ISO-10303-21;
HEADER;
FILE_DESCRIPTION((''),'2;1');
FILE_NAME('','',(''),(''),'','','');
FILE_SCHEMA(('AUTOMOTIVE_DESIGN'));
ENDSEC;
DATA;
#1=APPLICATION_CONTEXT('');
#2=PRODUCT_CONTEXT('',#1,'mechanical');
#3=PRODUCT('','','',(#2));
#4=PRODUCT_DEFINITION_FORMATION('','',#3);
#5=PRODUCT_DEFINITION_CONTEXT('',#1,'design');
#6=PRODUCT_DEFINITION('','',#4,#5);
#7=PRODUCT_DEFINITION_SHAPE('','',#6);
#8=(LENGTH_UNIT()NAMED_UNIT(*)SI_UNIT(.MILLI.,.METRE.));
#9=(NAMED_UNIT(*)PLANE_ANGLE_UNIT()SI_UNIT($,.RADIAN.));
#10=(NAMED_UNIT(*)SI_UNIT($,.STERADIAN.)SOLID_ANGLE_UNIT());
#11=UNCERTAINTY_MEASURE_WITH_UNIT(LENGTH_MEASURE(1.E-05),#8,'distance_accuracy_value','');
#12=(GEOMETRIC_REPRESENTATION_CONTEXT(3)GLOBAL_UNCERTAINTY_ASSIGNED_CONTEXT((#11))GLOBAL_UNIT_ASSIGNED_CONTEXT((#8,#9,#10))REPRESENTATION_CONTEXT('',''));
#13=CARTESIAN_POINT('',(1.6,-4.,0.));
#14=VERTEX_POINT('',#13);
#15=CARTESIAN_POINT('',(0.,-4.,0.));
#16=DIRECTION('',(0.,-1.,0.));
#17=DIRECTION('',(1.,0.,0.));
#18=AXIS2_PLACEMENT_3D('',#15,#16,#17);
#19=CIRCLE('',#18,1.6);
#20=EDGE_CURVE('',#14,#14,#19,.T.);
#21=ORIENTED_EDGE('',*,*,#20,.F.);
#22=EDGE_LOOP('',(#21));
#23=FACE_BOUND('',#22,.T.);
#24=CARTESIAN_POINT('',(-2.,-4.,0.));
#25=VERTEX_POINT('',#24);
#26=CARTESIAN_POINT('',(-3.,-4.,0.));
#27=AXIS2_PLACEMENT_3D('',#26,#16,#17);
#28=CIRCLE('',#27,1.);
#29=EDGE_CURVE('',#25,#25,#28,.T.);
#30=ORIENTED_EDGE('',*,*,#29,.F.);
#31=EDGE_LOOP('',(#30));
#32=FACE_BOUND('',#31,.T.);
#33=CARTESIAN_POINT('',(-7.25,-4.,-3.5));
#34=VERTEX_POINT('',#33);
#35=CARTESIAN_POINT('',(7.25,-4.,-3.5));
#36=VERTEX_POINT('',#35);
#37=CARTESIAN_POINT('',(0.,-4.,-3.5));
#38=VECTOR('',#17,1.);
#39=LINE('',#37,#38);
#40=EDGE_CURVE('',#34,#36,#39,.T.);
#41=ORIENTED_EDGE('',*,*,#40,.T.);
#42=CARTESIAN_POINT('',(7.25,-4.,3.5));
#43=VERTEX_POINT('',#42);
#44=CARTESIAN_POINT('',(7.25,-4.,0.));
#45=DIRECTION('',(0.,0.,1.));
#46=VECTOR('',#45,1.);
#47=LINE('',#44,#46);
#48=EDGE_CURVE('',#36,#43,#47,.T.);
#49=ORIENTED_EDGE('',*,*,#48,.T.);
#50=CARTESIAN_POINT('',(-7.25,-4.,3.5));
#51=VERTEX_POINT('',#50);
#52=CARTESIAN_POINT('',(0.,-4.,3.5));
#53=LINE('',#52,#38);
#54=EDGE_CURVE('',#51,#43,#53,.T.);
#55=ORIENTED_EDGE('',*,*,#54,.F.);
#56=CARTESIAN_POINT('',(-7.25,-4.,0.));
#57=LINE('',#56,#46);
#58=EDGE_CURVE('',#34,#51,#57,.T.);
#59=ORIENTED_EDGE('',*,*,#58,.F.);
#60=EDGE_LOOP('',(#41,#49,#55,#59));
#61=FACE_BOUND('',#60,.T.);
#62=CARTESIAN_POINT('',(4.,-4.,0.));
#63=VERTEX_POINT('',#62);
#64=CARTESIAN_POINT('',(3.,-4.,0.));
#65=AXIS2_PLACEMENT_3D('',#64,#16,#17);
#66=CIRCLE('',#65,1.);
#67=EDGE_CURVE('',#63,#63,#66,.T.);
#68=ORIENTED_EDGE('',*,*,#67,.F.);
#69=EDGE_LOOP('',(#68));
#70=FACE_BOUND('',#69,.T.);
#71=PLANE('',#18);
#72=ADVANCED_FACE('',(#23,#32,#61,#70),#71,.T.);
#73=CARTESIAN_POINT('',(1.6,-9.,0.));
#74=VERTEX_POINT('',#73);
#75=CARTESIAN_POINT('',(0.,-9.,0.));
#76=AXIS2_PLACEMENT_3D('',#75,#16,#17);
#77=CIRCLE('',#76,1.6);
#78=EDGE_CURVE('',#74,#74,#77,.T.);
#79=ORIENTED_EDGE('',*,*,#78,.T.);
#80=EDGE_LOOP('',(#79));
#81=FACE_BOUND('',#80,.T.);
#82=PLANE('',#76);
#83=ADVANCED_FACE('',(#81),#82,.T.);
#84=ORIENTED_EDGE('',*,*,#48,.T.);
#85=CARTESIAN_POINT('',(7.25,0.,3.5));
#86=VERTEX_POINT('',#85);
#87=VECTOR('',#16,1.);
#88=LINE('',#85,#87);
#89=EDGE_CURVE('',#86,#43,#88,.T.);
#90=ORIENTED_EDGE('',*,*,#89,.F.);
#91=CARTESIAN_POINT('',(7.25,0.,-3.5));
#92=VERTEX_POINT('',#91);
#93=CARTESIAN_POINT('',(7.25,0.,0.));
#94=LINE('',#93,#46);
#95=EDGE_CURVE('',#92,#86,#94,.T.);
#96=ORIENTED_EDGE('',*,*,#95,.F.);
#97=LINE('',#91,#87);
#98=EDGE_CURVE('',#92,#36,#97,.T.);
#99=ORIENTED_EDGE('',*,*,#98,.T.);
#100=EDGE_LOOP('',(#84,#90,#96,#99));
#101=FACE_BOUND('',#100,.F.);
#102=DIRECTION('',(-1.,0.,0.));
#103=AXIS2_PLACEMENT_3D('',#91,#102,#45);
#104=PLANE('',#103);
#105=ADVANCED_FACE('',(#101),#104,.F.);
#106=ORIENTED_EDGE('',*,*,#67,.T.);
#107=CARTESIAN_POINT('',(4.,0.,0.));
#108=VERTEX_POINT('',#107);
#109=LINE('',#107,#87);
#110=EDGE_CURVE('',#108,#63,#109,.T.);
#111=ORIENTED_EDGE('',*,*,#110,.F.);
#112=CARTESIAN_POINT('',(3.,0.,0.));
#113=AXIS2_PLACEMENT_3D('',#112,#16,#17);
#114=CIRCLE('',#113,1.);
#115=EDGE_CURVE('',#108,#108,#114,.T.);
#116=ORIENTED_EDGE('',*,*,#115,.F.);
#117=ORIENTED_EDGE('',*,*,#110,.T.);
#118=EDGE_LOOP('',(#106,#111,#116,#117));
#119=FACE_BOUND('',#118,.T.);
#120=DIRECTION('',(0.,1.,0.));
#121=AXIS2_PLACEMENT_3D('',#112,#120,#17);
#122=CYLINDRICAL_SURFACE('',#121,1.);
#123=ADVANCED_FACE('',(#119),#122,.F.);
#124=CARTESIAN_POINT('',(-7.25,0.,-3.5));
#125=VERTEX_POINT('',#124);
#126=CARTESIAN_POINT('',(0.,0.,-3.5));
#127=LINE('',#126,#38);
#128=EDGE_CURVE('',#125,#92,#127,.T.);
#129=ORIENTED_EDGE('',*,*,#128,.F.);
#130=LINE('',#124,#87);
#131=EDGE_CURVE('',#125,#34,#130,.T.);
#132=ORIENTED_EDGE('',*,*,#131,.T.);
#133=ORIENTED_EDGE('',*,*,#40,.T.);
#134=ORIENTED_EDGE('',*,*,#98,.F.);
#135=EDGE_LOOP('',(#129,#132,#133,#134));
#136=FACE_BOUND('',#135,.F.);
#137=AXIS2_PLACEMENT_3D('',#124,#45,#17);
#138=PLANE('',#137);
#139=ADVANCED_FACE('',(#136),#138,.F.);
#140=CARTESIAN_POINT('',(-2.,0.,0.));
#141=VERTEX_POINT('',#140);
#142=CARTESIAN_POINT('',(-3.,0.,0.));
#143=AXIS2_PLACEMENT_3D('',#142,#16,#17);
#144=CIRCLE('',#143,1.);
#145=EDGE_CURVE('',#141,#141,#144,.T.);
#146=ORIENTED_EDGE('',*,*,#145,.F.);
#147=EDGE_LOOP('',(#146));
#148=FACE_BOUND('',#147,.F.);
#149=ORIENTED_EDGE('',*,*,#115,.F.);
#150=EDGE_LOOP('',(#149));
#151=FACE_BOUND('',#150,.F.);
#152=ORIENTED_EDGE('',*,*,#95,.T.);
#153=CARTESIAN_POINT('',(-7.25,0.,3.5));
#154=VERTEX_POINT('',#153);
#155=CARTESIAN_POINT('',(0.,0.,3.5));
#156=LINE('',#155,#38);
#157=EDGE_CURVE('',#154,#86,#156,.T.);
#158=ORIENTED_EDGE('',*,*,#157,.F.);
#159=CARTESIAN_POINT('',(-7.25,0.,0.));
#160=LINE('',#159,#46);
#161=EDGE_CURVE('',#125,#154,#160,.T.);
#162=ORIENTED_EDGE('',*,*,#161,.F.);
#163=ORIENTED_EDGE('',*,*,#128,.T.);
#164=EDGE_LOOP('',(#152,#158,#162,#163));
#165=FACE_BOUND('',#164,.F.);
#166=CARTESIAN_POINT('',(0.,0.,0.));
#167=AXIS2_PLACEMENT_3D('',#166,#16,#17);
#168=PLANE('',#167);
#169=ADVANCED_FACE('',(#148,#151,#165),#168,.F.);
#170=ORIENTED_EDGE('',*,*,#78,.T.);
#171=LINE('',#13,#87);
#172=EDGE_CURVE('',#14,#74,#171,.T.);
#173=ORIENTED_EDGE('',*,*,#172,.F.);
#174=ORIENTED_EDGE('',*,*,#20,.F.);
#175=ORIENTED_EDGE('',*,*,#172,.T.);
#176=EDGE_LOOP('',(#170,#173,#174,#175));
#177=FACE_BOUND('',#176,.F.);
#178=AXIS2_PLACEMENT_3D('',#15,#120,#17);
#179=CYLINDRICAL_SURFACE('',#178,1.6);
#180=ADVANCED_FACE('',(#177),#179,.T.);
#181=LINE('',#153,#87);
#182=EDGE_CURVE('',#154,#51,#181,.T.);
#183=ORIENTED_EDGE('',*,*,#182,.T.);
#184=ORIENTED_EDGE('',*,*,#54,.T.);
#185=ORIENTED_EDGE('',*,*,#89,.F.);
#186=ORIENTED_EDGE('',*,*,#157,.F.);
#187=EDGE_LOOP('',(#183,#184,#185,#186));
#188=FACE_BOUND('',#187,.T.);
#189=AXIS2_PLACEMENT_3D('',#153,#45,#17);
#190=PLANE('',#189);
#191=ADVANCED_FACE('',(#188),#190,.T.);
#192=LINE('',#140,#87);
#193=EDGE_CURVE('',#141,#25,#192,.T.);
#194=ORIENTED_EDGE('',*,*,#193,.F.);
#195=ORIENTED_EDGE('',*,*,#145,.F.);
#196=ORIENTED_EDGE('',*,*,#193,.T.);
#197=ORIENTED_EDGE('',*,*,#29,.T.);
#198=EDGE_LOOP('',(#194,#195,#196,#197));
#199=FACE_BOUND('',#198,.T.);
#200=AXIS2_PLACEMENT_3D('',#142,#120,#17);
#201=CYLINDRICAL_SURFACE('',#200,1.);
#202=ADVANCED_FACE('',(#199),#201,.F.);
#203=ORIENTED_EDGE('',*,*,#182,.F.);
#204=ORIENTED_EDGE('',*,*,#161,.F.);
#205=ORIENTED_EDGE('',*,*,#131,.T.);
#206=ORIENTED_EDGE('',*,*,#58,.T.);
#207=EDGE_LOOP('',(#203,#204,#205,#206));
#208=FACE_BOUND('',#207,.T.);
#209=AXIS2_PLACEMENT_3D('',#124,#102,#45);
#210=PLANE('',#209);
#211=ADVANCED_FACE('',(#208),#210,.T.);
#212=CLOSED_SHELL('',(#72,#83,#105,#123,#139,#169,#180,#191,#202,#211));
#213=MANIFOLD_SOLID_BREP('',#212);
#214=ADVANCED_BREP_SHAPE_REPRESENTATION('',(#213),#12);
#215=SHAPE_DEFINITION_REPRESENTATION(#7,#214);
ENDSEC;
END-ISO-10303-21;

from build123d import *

# Parameters (mm, degrees)
F0_W     = 14.5
F0_H     = 7
F0_R     = 1
F1_DEPTH = 4
F2_R     = 1.6
F3_DEPTH = 5


with BuildPart() as f1:
    # F0 (on Front) → F1 (new body)
    with BuildSketch(Plane.XZ):
        Rectangle(F0_W, F0_H)
        with Locations((-3, 0)):
            Circle(F0_R, mode=Mode.SUBTRACT)
        with Locations((3, 0)):
            Circle(F0_R, mode=Mode.SUBTRACT)
    extrude(amount=F1_DEPTH)

    # F2 (on face) → F3 (join)
    with BuildSketch(Plane.XZ.offset(4)):
        Circle(F2_R)
    extrude(amount=F3_DEPTH)


solid = f1.part
